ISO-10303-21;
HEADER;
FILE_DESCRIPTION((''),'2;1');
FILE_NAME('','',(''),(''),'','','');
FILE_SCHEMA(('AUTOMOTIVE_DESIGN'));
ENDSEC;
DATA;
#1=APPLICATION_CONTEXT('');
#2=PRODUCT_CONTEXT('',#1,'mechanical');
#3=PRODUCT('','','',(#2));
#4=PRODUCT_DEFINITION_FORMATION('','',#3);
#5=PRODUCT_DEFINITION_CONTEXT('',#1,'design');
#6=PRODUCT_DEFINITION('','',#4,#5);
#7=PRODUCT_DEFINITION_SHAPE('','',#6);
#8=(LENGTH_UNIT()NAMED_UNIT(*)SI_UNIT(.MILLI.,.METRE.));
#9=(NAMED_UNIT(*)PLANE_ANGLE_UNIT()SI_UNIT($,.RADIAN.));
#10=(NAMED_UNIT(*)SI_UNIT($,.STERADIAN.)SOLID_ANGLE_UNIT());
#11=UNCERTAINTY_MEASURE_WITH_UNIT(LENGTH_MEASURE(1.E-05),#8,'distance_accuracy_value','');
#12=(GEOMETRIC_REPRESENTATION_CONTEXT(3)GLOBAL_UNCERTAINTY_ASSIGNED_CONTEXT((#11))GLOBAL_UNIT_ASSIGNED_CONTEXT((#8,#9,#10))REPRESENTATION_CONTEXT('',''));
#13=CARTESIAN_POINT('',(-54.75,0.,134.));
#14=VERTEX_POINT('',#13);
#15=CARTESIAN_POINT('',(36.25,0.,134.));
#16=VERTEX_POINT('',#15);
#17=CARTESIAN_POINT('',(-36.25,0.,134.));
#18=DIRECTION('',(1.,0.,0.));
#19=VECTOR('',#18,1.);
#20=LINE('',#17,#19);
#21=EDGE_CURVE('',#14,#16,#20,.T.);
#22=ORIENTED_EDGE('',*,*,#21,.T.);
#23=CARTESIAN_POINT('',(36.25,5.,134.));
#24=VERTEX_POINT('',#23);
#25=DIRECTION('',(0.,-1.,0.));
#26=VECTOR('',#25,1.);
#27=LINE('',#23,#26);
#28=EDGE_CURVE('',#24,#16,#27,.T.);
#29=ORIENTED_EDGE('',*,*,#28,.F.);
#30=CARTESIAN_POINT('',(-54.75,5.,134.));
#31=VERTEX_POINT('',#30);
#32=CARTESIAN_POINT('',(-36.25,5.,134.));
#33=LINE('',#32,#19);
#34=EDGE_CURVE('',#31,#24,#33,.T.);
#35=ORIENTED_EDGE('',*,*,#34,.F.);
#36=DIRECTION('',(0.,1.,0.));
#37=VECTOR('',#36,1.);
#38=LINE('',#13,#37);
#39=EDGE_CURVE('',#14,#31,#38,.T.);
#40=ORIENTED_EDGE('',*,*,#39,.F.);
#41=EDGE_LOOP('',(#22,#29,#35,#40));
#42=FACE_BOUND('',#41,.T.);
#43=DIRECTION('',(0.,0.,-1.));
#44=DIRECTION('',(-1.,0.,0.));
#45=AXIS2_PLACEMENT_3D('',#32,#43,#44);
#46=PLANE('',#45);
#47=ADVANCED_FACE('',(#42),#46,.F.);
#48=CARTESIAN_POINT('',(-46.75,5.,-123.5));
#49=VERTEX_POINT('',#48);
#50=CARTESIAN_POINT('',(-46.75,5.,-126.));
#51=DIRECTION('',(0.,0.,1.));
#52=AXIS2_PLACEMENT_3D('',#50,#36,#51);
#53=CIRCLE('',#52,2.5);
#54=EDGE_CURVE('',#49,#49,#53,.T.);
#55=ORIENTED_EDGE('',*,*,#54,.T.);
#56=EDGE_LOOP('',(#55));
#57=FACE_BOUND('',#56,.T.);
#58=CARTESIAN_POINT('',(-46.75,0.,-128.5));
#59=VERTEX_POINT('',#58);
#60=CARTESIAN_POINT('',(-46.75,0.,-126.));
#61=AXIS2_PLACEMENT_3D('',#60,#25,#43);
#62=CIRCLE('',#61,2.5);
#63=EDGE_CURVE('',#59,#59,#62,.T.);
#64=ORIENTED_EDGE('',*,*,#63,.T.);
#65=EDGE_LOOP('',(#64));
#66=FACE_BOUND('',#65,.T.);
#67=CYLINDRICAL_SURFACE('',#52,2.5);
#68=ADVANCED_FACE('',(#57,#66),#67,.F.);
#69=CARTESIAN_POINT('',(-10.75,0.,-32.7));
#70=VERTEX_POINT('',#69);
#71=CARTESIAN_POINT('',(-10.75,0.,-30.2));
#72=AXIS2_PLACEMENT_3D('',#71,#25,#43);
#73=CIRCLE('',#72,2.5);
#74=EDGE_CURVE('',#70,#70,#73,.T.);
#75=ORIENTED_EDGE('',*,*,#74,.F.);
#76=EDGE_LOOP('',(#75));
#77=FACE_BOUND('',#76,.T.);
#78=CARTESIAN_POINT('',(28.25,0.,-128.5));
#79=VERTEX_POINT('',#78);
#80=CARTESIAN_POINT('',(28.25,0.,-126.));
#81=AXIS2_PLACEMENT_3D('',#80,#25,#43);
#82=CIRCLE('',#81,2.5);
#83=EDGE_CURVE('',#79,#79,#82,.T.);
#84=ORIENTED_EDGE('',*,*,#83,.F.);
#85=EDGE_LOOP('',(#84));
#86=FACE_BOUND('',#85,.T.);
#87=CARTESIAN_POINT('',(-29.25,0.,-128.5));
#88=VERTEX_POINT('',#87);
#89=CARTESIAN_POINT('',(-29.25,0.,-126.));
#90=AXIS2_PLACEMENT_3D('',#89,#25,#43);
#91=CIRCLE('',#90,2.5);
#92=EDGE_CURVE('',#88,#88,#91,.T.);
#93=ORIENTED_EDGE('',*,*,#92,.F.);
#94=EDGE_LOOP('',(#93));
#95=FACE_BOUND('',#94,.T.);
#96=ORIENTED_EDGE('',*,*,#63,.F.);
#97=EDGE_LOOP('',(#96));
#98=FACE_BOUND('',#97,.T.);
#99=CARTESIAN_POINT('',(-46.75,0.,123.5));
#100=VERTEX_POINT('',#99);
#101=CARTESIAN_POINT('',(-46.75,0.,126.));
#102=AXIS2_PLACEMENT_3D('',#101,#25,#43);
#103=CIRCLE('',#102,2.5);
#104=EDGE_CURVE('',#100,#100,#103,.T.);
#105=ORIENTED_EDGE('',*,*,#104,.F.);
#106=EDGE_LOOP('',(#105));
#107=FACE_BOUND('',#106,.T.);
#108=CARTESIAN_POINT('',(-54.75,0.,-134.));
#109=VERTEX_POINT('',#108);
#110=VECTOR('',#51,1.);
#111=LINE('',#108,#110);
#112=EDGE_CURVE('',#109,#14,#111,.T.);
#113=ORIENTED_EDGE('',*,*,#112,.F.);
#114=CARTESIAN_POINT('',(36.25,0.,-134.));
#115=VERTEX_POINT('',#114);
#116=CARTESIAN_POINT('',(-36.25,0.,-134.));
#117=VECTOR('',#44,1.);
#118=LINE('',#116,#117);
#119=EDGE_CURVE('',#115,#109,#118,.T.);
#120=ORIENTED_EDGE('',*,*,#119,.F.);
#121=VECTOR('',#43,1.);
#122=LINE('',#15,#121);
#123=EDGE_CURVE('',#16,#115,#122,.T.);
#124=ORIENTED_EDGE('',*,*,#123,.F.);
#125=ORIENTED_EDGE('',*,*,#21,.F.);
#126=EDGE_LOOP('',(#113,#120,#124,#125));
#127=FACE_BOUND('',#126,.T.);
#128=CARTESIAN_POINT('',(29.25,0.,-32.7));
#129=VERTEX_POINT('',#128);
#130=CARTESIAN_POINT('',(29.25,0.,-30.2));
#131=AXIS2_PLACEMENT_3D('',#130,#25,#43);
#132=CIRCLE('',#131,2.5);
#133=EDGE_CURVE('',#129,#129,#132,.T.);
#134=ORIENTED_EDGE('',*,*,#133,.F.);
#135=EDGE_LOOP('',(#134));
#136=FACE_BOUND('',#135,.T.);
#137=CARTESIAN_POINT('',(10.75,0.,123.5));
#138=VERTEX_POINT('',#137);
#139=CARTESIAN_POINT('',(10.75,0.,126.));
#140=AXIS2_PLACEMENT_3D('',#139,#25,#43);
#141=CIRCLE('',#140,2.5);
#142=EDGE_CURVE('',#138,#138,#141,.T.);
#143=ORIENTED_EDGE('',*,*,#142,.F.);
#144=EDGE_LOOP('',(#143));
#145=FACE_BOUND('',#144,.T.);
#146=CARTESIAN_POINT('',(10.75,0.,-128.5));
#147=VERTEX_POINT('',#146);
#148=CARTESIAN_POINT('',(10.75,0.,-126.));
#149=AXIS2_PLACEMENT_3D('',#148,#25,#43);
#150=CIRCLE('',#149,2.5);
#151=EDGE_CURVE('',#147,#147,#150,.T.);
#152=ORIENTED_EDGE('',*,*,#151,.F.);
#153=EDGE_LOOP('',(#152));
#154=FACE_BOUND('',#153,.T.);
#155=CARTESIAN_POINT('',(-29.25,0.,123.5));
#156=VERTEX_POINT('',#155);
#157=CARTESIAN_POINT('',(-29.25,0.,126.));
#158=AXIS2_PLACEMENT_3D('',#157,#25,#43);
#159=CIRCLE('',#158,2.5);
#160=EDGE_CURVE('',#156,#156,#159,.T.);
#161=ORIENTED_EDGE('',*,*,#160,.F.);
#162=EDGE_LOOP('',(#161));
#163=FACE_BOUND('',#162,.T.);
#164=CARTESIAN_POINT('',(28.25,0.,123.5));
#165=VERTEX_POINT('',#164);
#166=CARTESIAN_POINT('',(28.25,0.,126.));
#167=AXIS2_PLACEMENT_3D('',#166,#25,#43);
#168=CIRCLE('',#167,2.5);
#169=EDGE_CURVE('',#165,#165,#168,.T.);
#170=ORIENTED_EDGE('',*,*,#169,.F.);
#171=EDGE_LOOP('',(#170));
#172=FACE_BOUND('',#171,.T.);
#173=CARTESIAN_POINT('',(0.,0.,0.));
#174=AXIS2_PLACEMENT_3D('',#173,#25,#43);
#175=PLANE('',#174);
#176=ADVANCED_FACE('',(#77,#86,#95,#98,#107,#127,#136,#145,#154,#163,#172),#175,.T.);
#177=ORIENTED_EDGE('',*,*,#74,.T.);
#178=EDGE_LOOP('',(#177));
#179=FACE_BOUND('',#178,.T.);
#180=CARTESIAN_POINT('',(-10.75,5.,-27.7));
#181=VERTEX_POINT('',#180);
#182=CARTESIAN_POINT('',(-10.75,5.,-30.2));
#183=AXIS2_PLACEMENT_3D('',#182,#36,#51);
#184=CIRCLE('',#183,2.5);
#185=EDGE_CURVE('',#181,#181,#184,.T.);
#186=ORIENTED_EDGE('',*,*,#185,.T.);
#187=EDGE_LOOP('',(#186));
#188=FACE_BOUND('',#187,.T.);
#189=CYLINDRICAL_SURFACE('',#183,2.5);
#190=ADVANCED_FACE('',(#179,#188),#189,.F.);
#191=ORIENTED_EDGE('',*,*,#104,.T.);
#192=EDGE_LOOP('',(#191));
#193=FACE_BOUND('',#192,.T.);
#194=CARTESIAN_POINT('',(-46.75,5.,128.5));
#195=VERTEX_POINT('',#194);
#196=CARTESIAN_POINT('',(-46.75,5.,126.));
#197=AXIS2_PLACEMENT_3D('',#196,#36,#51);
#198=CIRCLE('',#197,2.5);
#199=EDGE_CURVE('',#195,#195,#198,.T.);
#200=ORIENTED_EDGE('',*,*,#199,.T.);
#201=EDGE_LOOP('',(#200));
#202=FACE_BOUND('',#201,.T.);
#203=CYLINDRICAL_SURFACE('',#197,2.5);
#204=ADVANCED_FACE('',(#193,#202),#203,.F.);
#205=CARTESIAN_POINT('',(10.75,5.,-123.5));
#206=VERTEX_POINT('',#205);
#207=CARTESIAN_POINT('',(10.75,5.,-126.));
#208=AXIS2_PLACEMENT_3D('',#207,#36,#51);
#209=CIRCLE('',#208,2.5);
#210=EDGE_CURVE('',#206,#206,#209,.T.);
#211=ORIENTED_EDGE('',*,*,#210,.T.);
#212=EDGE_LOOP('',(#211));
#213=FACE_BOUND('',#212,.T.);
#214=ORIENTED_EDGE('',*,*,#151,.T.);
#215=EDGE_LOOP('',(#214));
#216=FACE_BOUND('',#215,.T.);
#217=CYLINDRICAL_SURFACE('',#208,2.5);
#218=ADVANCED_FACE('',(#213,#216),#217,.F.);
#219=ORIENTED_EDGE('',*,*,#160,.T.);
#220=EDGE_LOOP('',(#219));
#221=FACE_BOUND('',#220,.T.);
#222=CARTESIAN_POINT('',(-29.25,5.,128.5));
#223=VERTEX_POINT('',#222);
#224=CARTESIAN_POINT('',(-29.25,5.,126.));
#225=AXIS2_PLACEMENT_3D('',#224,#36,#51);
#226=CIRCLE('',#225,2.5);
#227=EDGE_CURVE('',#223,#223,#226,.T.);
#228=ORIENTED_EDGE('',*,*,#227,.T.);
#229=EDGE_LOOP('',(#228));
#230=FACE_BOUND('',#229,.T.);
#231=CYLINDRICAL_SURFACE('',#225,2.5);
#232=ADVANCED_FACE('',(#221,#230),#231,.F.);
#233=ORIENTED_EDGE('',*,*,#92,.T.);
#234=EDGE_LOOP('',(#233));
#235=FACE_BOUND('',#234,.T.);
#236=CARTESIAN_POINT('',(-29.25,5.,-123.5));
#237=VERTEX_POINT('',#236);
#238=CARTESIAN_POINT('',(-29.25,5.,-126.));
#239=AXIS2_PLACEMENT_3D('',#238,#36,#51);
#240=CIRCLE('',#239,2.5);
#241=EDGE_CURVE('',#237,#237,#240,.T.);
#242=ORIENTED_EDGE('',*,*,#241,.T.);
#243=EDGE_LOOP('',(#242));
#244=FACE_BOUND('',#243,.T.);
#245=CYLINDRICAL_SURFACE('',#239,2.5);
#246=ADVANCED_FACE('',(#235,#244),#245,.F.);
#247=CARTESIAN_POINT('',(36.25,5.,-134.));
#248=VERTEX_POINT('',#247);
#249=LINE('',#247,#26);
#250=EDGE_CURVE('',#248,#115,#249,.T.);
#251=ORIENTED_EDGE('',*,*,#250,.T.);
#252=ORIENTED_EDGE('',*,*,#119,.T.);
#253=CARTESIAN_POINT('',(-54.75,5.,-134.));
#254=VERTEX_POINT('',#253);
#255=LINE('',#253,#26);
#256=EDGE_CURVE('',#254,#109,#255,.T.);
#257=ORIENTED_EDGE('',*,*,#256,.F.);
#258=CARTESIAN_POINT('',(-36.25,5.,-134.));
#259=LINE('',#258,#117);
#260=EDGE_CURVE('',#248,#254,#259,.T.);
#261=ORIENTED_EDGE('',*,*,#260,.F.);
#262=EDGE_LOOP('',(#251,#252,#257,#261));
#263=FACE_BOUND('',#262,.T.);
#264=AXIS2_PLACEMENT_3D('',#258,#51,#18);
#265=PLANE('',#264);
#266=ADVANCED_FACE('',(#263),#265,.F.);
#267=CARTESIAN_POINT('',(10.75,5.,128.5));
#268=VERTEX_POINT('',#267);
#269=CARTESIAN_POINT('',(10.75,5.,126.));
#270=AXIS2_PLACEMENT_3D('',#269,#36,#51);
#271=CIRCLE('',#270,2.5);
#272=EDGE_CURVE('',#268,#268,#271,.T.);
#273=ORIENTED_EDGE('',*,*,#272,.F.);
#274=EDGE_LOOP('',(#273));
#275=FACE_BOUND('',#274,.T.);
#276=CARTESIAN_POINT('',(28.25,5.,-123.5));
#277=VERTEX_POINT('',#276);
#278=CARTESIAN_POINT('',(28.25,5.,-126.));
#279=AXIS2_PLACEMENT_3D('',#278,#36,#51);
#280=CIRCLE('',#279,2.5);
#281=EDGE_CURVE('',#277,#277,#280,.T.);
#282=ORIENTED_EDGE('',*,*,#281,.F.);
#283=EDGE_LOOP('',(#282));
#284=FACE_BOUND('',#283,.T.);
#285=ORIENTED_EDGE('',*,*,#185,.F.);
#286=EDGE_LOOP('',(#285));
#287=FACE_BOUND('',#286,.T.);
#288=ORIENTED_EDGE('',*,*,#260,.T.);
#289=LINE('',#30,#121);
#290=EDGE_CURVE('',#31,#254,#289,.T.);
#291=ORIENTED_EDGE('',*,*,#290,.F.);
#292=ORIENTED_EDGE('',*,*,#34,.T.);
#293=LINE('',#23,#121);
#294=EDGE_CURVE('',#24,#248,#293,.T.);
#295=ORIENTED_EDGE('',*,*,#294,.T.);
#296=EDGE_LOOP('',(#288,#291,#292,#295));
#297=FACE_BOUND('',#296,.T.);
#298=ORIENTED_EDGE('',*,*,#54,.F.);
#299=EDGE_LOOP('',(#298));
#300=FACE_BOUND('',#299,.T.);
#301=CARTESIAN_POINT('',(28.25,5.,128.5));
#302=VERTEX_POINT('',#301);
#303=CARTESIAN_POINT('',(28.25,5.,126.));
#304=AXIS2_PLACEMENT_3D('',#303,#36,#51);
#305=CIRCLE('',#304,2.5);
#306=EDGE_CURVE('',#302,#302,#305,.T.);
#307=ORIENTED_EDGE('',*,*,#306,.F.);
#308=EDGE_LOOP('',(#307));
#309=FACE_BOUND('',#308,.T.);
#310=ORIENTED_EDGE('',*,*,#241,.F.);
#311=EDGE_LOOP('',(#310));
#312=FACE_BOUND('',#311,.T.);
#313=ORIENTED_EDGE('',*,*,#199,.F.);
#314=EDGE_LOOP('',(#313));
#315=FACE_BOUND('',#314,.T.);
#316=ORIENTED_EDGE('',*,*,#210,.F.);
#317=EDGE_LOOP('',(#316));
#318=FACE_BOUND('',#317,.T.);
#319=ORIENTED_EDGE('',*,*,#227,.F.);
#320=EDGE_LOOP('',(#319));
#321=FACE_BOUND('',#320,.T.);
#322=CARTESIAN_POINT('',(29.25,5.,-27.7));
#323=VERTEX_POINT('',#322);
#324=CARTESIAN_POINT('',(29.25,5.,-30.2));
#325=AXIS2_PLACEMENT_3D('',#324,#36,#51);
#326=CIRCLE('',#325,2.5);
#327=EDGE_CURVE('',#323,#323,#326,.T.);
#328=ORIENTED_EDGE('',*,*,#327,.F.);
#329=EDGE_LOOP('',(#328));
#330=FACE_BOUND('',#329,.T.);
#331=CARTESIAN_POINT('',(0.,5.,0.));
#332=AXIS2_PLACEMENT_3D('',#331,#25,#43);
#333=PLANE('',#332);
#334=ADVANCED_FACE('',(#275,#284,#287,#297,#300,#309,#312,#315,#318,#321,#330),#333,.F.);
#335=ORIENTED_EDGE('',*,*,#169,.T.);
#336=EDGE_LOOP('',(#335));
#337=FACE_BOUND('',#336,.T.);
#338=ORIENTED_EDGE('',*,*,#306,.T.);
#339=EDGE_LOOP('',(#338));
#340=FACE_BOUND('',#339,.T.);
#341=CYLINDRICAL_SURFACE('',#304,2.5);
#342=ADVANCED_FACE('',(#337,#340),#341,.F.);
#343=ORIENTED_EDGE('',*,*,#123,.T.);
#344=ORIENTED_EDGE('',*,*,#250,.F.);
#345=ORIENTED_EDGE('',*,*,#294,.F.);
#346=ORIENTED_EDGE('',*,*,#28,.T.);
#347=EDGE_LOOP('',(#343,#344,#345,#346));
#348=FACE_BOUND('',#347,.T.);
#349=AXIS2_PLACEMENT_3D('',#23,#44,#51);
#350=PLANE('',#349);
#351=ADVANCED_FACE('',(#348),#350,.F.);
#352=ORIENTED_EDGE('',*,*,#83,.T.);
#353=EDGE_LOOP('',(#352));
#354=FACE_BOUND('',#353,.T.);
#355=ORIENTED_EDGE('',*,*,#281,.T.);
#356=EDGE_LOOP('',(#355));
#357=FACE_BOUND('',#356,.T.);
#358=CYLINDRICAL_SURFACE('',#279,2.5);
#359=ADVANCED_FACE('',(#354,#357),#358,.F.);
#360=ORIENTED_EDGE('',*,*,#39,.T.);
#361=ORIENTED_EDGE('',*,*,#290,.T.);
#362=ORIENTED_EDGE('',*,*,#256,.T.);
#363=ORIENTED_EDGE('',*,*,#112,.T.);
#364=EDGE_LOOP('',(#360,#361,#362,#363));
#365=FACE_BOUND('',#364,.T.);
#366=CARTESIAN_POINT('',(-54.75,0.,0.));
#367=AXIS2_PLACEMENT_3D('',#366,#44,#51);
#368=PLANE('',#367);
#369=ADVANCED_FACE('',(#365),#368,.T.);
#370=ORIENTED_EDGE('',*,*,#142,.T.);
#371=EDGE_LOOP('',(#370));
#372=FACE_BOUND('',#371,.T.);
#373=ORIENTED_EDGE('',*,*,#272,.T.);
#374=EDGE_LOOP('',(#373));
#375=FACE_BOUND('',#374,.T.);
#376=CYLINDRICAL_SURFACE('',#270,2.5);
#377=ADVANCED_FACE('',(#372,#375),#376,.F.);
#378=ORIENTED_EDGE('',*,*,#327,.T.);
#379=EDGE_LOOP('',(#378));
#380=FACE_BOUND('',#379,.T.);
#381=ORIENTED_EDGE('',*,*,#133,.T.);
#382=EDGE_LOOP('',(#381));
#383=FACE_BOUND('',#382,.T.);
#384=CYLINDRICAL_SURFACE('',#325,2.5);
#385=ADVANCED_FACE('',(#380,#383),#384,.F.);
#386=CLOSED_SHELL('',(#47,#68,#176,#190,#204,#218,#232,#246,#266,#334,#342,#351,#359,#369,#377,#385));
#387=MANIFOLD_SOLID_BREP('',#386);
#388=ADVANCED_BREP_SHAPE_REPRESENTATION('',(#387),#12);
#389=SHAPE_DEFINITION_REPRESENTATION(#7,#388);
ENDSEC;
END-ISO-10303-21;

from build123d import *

# Parameters (mm, degrees)
SKIZZE1_W                       = 72.5
SKIZZE1_H                       = 268
AUFSATZ_LINEAR_AUSTRAGEN1_DEPTH = 5
M6_GEWINDEBOHRUNG2_D            = 5
M6_GEWINDEBOHRUNG2_DEPTH        = 5
M6_GEWINDEBOHRUNG1_D            = 5
M6_GEWINDEBOHRUNG1_DEPTH        = 5
SKIZZE7_W                       = 268
SKIZZE7_H                       = 5
AUFSATZ_LINEAR_AUSTRAGEN2_DEPTH = 18.5
M6_GEWINDEBOHRUNG3_D            = 5
M6_GEWINDEBOHRUNG3_DEPTH        = 5


with BuildPart() as part:
    # Skizze1 → Aufsatz-Linear austragen1 (new body)
    with BuildSketch(Plane(origin=(0, 0, 0), x_dir=(1, 0, 0), z_dir=(0, 1, 0))):
        Rectangle(SKIZZE1_W, SKIZZE1_H)
    extrude(amount=AUFSATZ_LINEAR_AUSTRAGEN1_DEPTH)

    # M6 Gewindebohrung2
    with Locations(Plane(origin=(0, 5, 0), x_dir=(1, 0, 0), z_dir=(0, 1, 0))):
        with Locations((-29.25, -126), (10.75, -126), (-29.25, 126), (10.75, 126)):
            Hole(M6_GEWINDEBOHRUNG2_D / 2, depth=M6_GEWINDEBOHRUNG2_DEPTH)

    # M6 Gewindebohrung1
    with Locations(Plane(origin=(0, 5, 0), x_dir=(1, 0, 0), z_dir=(0, 1, 0))):
        with Locations((29.25, 30.2), (-10.75, 30.2)):
            Hole(M6_GEWINDEBOHRUNG1_D / 2, depth=M6_GEWINDEBOHRUNG1_DEPTH)

    # Skizze7 → Aufsatz-Linear austragen2 (add)
    with BuildSketch(Plane.ZY.offset(36.25)):
        with Locations((0, 2.5)):
            Rectangle(SKIZZE7_W, SKIZZE7_H)
    extrude(amount=AUFSATZ_LINEAR_AUSTRAGEN2_DEPTH)

    # M6 Gewindebohrung3
    with Locations(Plane(origin=(0, 5, 0), x_dir=(1, 0, 0), z_dir=(0, 1, 0))):
        with Locations((-46.75, -126), (28.25, -126), (28.25, 126), (-46.75, 126)):
            Hole(M6_GEWINDEBOHRUNG3_D / 2, depth=M6_GEWINDEBOHRUNG3_DEPTH)


solid = part.part
